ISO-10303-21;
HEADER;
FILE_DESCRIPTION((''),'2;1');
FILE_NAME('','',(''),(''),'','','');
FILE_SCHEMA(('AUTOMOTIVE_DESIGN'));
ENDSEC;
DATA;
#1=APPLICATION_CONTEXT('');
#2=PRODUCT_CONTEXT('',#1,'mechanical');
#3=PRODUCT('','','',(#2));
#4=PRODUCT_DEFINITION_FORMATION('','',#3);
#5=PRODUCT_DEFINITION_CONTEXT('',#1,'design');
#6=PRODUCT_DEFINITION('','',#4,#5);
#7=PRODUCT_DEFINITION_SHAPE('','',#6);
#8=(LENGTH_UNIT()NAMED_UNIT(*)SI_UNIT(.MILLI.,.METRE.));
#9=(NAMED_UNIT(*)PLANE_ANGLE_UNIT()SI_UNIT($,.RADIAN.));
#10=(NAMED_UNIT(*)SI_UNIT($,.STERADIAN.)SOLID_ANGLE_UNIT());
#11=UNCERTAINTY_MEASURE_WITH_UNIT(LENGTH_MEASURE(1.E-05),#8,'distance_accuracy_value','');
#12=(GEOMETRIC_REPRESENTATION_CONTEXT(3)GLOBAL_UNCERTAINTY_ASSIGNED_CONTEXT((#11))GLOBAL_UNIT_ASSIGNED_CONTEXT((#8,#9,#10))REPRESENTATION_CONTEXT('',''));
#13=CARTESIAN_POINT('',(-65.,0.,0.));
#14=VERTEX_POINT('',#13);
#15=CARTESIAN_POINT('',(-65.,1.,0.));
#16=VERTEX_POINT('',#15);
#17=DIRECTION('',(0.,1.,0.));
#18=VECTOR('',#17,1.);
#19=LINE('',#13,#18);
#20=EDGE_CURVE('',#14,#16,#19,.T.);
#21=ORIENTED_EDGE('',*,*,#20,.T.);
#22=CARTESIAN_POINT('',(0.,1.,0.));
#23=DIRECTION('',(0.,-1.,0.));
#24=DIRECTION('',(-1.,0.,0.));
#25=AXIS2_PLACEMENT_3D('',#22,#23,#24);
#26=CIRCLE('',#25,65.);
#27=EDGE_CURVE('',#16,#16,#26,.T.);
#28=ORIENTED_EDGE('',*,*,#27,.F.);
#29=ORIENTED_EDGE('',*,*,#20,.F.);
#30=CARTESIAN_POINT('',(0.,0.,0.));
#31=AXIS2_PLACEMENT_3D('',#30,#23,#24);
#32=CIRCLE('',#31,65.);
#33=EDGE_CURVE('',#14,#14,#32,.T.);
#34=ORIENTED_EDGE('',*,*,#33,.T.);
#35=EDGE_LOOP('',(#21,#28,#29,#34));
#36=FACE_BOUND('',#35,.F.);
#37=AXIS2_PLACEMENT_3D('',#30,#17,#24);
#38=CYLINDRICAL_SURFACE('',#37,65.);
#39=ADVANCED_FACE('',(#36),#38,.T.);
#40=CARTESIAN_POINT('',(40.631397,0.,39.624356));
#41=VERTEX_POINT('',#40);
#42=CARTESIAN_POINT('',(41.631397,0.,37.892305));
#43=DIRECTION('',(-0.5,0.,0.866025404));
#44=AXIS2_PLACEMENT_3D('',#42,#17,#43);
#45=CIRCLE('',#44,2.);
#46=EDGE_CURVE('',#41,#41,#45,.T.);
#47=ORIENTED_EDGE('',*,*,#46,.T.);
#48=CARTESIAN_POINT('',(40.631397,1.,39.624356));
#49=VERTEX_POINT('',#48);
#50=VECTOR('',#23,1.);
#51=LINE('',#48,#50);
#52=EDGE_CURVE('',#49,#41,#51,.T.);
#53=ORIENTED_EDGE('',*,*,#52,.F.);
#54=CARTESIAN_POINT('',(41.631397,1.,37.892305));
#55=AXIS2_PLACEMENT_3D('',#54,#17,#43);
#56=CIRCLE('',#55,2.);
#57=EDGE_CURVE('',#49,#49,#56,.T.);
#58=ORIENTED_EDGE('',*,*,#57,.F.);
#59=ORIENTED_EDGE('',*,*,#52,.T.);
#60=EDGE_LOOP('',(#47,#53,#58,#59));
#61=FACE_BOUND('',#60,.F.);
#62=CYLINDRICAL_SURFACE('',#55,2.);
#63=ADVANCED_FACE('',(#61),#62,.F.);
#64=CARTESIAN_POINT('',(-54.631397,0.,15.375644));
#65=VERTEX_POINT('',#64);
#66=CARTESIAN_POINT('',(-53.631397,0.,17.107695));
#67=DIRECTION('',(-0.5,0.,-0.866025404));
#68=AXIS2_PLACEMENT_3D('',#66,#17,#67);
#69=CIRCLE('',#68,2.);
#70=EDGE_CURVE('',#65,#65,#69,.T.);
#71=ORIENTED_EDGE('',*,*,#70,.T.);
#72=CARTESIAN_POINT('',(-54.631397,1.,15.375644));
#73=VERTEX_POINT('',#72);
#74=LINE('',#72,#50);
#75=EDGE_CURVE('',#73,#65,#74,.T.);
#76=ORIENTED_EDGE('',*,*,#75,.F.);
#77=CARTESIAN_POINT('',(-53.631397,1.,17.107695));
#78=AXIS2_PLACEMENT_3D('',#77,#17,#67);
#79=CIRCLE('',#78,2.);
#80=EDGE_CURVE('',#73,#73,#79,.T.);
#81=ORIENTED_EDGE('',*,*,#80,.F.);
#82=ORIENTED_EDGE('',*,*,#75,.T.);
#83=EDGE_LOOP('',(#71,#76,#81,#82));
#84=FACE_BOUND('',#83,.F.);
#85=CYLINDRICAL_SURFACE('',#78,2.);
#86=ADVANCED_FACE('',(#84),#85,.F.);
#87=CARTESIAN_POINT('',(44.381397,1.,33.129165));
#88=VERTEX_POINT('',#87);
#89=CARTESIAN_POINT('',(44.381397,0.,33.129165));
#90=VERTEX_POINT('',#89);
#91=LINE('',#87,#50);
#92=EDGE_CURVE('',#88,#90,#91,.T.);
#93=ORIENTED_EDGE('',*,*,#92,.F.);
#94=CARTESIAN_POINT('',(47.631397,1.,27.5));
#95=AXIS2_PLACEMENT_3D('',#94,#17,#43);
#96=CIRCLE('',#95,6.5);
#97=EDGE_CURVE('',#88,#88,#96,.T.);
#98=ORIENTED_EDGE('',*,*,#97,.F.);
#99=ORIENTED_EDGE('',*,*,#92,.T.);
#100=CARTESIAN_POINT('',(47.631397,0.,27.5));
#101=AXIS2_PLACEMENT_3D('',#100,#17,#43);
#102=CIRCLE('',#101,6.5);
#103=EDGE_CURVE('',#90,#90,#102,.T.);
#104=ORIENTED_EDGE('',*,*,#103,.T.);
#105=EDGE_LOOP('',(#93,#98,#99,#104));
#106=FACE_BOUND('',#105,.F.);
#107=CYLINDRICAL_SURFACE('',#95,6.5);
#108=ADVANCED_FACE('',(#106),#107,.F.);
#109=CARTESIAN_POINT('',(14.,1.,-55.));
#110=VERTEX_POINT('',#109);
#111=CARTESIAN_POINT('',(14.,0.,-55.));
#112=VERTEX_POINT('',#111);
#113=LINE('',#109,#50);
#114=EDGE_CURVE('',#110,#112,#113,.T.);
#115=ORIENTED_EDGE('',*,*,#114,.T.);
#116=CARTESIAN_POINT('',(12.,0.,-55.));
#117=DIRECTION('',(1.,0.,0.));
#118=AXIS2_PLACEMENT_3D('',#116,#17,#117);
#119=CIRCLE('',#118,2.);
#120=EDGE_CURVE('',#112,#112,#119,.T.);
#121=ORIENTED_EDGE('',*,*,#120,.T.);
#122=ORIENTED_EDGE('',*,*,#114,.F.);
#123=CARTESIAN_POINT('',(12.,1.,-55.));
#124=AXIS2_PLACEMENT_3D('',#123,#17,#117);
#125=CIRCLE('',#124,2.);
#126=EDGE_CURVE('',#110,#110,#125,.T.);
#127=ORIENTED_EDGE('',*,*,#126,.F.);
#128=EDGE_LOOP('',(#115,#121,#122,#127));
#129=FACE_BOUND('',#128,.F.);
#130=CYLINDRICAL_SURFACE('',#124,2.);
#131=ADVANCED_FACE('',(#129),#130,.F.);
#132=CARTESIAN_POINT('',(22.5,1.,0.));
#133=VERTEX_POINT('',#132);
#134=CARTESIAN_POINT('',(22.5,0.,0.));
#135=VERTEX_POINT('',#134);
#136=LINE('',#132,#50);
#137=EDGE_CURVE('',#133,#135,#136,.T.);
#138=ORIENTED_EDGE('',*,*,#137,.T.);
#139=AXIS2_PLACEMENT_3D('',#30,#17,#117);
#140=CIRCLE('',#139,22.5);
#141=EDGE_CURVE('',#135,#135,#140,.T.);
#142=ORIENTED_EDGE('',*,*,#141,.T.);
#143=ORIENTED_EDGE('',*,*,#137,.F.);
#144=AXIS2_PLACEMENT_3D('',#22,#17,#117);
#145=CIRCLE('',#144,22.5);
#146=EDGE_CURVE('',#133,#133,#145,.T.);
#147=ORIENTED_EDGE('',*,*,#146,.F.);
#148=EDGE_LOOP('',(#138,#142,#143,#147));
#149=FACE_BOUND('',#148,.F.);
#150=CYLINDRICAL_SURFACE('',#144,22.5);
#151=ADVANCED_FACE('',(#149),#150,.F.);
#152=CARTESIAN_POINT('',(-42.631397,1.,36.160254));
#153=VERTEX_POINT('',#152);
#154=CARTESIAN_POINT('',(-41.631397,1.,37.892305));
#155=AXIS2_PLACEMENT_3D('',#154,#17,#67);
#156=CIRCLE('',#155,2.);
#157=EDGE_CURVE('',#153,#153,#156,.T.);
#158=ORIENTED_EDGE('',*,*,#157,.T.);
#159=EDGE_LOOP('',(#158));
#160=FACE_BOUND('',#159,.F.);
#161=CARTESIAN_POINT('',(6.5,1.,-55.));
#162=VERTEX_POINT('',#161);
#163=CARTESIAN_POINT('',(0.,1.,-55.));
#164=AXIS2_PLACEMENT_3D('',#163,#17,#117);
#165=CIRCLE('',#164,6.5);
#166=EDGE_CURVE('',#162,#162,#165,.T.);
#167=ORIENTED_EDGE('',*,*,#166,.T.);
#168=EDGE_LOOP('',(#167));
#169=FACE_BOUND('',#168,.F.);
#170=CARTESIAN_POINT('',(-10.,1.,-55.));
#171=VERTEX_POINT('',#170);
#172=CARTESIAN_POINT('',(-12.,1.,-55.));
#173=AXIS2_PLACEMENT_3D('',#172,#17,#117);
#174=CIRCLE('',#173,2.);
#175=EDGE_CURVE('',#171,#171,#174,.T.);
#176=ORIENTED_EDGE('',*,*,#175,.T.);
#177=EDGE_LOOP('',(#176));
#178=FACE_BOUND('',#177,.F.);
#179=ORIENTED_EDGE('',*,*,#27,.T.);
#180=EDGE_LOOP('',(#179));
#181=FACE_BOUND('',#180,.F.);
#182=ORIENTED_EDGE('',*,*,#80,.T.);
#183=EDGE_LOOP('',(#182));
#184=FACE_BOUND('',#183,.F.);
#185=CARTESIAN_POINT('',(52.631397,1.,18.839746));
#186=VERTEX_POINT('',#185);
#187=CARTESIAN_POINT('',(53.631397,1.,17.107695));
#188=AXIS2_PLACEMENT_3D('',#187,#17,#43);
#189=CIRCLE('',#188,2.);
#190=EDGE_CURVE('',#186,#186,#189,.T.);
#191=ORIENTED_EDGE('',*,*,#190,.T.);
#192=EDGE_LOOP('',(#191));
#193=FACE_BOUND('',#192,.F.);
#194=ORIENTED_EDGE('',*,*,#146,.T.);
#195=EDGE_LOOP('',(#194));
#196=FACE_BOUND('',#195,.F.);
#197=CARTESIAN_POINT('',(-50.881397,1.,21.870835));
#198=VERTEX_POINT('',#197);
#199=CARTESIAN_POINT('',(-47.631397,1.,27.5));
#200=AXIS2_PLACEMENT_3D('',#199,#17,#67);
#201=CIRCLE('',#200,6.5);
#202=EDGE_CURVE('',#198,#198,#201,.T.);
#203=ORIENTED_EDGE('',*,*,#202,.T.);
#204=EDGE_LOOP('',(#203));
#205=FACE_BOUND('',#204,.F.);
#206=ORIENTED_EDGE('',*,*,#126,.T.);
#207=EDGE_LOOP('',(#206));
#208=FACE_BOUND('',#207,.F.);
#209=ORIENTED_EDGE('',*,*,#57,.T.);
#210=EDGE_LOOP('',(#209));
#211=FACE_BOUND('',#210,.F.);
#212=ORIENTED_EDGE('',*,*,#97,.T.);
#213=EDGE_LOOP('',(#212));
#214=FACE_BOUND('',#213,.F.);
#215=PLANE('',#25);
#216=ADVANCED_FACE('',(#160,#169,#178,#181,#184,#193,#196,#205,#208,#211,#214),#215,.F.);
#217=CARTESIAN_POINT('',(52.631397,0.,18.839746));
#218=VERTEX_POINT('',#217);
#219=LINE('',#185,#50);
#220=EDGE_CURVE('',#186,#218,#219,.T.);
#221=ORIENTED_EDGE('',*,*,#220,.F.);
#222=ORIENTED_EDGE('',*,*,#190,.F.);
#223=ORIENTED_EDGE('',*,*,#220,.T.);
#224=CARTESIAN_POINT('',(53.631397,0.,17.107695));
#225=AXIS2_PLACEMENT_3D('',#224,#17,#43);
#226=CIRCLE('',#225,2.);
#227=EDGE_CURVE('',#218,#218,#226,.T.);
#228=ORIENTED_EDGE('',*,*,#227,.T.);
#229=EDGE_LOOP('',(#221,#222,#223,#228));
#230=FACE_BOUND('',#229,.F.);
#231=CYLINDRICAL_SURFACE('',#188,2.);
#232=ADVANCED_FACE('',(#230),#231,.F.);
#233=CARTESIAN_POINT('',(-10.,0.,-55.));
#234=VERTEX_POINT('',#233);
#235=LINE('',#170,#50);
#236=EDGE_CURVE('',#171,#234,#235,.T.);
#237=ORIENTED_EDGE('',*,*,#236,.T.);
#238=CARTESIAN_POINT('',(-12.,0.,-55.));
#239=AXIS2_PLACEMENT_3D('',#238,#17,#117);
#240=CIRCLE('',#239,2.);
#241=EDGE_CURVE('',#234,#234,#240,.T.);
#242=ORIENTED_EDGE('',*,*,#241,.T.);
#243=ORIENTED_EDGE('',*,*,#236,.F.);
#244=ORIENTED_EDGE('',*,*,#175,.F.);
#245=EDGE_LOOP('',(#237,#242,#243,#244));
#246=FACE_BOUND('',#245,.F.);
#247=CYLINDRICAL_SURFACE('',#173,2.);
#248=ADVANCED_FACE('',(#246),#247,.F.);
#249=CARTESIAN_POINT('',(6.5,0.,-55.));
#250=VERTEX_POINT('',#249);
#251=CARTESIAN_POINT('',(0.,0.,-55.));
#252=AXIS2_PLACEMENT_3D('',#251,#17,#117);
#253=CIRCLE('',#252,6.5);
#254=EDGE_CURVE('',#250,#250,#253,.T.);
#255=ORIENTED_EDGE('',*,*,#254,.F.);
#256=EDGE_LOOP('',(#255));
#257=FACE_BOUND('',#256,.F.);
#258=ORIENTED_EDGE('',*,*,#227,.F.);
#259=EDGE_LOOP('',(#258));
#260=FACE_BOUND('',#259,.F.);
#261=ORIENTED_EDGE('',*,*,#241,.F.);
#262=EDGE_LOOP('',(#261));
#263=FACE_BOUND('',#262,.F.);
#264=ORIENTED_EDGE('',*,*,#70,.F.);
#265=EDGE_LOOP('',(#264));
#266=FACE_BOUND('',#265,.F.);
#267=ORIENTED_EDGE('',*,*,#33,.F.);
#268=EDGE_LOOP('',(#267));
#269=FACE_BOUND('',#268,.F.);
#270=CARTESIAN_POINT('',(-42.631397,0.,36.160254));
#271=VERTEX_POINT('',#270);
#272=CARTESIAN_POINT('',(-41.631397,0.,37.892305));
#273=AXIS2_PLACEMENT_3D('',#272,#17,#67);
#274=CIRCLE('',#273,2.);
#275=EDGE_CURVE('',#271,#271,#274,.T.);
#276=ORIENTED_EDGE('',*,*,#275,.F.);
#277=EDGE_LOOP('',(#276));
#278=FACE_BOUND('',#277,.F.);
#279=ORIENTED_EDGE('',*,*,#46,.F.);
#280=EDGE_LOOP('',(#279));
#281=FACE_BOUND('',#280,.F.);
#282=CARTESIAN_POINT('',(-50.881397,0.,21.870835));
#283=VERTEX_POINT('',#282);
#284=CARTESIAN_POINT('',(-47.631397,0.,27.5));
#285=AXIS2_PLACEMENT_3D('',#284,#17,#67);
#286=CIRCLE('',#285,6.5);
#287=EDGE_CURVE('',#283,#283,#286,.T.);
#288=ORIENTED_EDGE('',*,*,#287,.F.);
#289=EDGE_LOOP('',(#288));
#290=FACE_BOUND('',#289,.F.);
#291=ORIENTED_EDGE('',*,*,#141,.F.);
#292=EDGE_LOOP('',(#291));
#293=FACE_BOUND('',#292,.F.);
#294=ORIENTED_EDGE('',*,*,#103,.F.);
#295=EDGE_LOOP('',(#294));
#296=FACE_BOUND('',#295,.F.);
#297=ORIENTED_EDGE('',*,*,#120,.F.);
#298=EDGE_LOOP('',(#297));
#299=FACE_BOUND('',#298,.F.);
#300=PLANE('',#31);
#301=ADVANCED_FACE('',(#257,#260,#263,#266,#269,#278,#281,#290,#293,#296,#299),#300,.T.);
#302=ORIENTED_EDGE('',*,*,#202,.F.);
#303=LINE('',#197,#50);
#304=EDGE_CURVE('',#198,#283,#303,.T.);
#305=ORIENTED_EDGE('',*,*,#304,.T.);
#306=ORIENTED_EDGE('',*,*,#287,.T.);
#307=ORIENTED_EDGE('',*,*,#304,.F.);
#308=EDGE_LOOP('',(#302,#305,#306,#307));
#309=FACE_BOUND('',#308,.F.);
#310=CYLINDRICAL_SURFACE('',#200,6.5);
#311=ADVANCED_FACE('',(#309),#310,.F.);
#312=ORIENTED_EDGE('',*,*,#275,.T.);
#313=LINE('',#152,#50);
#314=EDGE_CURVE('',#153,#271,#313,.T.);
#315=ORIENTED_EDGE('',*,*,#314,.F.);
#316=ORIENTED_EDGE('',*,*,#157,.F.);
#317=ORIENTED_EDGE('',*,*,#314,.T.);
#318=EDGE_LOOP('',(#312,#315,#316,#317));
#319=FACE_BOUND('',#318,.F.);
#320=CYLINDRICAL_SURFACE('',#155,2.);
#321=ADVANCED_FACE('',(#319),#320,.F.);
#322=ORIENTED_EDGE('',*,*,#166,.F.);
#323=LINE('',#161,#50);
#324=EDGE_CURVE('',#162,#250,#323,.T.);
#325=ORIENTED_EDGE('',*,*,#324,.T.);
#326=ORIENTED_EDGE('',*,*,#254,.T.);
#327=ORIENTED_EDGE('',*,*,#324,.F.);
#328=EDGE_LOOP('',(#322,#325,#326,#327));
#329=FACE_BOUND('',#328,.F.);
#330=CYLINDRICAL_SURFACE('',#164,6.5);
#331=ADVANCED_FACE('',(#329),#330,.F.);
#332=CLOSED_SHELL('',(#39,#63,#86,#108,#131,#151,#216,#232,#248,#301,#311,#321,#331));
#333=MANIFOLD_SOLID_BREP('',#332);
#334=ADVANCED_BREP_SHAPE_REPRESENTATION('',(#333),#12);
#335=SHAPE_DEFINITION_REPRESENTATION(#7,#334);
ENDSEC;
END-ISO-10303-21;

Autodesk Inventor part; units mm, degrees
ref_plane "YZ Plane" through (0, 0, 0) normal (1, 0, 0) x (0, 1, 0)
ref_plane "XZ Plane" through (0, 0, 0) normal (0, 1, 0) x (-1, 0, 0)
ref_plane "XY Plane" through (0, 0, 0) normal (0, 0, 1) x (1, 0, 0)
sketch "Sketch1" plane through (0, 0, 0) normal (0, 0, 1) x (1, 0, 0)
  line L0 (0, 0) -> (-65, 0)
  line L1 (-65, 0) -> (-65, 1)
  line L2 (-65, 1) -> (0, 1)
  line L3 (0, 1) -> (0, 0)
  dimension "baffle_or" = 65
  dimension "d1" = 1
revolve "Revolution1" add sketch "Sketch1" angle 360 about axis through (0, 1, 0) along (0, -1, 0)
sketch "Sketch2" plane through (0, 1, 0) normal (0, 1, 0) x (1, 0, 0)
  circle A0 centre (0, 0) radius 22.5
  dimension "d3" = 45
extrude "Extrusion1" cut sketch "Sketch2" against normal through all
sketch "Sketch3" plane through (0, 1, 0) normal (0, 1, 0) x (1, 0, 0)
  circle A0 centre (0, 55) radius 6.5
  circle A1 centre (-12, 55) radius 2
  circle A2 centre (12, 55) radius 2
  point P0 (0, 0)
  dimension "d12" = 13
  dimension "tubes_r" = 55
  dimension "d14" = 4
  dimension "d15" = 12
  dimension "d16" = 4
  dimension "d17" = 12
extrude "Extrusion2" cut sketch "Sketch3" against normal through all
pattern_circular "Circular Pattern1" count 3 over 360 about axis through (0, 1, 0) along (0, -1, 0) of "Extrusion2"
equation "\"d17\" = d15"
properties part number "Baffle"
